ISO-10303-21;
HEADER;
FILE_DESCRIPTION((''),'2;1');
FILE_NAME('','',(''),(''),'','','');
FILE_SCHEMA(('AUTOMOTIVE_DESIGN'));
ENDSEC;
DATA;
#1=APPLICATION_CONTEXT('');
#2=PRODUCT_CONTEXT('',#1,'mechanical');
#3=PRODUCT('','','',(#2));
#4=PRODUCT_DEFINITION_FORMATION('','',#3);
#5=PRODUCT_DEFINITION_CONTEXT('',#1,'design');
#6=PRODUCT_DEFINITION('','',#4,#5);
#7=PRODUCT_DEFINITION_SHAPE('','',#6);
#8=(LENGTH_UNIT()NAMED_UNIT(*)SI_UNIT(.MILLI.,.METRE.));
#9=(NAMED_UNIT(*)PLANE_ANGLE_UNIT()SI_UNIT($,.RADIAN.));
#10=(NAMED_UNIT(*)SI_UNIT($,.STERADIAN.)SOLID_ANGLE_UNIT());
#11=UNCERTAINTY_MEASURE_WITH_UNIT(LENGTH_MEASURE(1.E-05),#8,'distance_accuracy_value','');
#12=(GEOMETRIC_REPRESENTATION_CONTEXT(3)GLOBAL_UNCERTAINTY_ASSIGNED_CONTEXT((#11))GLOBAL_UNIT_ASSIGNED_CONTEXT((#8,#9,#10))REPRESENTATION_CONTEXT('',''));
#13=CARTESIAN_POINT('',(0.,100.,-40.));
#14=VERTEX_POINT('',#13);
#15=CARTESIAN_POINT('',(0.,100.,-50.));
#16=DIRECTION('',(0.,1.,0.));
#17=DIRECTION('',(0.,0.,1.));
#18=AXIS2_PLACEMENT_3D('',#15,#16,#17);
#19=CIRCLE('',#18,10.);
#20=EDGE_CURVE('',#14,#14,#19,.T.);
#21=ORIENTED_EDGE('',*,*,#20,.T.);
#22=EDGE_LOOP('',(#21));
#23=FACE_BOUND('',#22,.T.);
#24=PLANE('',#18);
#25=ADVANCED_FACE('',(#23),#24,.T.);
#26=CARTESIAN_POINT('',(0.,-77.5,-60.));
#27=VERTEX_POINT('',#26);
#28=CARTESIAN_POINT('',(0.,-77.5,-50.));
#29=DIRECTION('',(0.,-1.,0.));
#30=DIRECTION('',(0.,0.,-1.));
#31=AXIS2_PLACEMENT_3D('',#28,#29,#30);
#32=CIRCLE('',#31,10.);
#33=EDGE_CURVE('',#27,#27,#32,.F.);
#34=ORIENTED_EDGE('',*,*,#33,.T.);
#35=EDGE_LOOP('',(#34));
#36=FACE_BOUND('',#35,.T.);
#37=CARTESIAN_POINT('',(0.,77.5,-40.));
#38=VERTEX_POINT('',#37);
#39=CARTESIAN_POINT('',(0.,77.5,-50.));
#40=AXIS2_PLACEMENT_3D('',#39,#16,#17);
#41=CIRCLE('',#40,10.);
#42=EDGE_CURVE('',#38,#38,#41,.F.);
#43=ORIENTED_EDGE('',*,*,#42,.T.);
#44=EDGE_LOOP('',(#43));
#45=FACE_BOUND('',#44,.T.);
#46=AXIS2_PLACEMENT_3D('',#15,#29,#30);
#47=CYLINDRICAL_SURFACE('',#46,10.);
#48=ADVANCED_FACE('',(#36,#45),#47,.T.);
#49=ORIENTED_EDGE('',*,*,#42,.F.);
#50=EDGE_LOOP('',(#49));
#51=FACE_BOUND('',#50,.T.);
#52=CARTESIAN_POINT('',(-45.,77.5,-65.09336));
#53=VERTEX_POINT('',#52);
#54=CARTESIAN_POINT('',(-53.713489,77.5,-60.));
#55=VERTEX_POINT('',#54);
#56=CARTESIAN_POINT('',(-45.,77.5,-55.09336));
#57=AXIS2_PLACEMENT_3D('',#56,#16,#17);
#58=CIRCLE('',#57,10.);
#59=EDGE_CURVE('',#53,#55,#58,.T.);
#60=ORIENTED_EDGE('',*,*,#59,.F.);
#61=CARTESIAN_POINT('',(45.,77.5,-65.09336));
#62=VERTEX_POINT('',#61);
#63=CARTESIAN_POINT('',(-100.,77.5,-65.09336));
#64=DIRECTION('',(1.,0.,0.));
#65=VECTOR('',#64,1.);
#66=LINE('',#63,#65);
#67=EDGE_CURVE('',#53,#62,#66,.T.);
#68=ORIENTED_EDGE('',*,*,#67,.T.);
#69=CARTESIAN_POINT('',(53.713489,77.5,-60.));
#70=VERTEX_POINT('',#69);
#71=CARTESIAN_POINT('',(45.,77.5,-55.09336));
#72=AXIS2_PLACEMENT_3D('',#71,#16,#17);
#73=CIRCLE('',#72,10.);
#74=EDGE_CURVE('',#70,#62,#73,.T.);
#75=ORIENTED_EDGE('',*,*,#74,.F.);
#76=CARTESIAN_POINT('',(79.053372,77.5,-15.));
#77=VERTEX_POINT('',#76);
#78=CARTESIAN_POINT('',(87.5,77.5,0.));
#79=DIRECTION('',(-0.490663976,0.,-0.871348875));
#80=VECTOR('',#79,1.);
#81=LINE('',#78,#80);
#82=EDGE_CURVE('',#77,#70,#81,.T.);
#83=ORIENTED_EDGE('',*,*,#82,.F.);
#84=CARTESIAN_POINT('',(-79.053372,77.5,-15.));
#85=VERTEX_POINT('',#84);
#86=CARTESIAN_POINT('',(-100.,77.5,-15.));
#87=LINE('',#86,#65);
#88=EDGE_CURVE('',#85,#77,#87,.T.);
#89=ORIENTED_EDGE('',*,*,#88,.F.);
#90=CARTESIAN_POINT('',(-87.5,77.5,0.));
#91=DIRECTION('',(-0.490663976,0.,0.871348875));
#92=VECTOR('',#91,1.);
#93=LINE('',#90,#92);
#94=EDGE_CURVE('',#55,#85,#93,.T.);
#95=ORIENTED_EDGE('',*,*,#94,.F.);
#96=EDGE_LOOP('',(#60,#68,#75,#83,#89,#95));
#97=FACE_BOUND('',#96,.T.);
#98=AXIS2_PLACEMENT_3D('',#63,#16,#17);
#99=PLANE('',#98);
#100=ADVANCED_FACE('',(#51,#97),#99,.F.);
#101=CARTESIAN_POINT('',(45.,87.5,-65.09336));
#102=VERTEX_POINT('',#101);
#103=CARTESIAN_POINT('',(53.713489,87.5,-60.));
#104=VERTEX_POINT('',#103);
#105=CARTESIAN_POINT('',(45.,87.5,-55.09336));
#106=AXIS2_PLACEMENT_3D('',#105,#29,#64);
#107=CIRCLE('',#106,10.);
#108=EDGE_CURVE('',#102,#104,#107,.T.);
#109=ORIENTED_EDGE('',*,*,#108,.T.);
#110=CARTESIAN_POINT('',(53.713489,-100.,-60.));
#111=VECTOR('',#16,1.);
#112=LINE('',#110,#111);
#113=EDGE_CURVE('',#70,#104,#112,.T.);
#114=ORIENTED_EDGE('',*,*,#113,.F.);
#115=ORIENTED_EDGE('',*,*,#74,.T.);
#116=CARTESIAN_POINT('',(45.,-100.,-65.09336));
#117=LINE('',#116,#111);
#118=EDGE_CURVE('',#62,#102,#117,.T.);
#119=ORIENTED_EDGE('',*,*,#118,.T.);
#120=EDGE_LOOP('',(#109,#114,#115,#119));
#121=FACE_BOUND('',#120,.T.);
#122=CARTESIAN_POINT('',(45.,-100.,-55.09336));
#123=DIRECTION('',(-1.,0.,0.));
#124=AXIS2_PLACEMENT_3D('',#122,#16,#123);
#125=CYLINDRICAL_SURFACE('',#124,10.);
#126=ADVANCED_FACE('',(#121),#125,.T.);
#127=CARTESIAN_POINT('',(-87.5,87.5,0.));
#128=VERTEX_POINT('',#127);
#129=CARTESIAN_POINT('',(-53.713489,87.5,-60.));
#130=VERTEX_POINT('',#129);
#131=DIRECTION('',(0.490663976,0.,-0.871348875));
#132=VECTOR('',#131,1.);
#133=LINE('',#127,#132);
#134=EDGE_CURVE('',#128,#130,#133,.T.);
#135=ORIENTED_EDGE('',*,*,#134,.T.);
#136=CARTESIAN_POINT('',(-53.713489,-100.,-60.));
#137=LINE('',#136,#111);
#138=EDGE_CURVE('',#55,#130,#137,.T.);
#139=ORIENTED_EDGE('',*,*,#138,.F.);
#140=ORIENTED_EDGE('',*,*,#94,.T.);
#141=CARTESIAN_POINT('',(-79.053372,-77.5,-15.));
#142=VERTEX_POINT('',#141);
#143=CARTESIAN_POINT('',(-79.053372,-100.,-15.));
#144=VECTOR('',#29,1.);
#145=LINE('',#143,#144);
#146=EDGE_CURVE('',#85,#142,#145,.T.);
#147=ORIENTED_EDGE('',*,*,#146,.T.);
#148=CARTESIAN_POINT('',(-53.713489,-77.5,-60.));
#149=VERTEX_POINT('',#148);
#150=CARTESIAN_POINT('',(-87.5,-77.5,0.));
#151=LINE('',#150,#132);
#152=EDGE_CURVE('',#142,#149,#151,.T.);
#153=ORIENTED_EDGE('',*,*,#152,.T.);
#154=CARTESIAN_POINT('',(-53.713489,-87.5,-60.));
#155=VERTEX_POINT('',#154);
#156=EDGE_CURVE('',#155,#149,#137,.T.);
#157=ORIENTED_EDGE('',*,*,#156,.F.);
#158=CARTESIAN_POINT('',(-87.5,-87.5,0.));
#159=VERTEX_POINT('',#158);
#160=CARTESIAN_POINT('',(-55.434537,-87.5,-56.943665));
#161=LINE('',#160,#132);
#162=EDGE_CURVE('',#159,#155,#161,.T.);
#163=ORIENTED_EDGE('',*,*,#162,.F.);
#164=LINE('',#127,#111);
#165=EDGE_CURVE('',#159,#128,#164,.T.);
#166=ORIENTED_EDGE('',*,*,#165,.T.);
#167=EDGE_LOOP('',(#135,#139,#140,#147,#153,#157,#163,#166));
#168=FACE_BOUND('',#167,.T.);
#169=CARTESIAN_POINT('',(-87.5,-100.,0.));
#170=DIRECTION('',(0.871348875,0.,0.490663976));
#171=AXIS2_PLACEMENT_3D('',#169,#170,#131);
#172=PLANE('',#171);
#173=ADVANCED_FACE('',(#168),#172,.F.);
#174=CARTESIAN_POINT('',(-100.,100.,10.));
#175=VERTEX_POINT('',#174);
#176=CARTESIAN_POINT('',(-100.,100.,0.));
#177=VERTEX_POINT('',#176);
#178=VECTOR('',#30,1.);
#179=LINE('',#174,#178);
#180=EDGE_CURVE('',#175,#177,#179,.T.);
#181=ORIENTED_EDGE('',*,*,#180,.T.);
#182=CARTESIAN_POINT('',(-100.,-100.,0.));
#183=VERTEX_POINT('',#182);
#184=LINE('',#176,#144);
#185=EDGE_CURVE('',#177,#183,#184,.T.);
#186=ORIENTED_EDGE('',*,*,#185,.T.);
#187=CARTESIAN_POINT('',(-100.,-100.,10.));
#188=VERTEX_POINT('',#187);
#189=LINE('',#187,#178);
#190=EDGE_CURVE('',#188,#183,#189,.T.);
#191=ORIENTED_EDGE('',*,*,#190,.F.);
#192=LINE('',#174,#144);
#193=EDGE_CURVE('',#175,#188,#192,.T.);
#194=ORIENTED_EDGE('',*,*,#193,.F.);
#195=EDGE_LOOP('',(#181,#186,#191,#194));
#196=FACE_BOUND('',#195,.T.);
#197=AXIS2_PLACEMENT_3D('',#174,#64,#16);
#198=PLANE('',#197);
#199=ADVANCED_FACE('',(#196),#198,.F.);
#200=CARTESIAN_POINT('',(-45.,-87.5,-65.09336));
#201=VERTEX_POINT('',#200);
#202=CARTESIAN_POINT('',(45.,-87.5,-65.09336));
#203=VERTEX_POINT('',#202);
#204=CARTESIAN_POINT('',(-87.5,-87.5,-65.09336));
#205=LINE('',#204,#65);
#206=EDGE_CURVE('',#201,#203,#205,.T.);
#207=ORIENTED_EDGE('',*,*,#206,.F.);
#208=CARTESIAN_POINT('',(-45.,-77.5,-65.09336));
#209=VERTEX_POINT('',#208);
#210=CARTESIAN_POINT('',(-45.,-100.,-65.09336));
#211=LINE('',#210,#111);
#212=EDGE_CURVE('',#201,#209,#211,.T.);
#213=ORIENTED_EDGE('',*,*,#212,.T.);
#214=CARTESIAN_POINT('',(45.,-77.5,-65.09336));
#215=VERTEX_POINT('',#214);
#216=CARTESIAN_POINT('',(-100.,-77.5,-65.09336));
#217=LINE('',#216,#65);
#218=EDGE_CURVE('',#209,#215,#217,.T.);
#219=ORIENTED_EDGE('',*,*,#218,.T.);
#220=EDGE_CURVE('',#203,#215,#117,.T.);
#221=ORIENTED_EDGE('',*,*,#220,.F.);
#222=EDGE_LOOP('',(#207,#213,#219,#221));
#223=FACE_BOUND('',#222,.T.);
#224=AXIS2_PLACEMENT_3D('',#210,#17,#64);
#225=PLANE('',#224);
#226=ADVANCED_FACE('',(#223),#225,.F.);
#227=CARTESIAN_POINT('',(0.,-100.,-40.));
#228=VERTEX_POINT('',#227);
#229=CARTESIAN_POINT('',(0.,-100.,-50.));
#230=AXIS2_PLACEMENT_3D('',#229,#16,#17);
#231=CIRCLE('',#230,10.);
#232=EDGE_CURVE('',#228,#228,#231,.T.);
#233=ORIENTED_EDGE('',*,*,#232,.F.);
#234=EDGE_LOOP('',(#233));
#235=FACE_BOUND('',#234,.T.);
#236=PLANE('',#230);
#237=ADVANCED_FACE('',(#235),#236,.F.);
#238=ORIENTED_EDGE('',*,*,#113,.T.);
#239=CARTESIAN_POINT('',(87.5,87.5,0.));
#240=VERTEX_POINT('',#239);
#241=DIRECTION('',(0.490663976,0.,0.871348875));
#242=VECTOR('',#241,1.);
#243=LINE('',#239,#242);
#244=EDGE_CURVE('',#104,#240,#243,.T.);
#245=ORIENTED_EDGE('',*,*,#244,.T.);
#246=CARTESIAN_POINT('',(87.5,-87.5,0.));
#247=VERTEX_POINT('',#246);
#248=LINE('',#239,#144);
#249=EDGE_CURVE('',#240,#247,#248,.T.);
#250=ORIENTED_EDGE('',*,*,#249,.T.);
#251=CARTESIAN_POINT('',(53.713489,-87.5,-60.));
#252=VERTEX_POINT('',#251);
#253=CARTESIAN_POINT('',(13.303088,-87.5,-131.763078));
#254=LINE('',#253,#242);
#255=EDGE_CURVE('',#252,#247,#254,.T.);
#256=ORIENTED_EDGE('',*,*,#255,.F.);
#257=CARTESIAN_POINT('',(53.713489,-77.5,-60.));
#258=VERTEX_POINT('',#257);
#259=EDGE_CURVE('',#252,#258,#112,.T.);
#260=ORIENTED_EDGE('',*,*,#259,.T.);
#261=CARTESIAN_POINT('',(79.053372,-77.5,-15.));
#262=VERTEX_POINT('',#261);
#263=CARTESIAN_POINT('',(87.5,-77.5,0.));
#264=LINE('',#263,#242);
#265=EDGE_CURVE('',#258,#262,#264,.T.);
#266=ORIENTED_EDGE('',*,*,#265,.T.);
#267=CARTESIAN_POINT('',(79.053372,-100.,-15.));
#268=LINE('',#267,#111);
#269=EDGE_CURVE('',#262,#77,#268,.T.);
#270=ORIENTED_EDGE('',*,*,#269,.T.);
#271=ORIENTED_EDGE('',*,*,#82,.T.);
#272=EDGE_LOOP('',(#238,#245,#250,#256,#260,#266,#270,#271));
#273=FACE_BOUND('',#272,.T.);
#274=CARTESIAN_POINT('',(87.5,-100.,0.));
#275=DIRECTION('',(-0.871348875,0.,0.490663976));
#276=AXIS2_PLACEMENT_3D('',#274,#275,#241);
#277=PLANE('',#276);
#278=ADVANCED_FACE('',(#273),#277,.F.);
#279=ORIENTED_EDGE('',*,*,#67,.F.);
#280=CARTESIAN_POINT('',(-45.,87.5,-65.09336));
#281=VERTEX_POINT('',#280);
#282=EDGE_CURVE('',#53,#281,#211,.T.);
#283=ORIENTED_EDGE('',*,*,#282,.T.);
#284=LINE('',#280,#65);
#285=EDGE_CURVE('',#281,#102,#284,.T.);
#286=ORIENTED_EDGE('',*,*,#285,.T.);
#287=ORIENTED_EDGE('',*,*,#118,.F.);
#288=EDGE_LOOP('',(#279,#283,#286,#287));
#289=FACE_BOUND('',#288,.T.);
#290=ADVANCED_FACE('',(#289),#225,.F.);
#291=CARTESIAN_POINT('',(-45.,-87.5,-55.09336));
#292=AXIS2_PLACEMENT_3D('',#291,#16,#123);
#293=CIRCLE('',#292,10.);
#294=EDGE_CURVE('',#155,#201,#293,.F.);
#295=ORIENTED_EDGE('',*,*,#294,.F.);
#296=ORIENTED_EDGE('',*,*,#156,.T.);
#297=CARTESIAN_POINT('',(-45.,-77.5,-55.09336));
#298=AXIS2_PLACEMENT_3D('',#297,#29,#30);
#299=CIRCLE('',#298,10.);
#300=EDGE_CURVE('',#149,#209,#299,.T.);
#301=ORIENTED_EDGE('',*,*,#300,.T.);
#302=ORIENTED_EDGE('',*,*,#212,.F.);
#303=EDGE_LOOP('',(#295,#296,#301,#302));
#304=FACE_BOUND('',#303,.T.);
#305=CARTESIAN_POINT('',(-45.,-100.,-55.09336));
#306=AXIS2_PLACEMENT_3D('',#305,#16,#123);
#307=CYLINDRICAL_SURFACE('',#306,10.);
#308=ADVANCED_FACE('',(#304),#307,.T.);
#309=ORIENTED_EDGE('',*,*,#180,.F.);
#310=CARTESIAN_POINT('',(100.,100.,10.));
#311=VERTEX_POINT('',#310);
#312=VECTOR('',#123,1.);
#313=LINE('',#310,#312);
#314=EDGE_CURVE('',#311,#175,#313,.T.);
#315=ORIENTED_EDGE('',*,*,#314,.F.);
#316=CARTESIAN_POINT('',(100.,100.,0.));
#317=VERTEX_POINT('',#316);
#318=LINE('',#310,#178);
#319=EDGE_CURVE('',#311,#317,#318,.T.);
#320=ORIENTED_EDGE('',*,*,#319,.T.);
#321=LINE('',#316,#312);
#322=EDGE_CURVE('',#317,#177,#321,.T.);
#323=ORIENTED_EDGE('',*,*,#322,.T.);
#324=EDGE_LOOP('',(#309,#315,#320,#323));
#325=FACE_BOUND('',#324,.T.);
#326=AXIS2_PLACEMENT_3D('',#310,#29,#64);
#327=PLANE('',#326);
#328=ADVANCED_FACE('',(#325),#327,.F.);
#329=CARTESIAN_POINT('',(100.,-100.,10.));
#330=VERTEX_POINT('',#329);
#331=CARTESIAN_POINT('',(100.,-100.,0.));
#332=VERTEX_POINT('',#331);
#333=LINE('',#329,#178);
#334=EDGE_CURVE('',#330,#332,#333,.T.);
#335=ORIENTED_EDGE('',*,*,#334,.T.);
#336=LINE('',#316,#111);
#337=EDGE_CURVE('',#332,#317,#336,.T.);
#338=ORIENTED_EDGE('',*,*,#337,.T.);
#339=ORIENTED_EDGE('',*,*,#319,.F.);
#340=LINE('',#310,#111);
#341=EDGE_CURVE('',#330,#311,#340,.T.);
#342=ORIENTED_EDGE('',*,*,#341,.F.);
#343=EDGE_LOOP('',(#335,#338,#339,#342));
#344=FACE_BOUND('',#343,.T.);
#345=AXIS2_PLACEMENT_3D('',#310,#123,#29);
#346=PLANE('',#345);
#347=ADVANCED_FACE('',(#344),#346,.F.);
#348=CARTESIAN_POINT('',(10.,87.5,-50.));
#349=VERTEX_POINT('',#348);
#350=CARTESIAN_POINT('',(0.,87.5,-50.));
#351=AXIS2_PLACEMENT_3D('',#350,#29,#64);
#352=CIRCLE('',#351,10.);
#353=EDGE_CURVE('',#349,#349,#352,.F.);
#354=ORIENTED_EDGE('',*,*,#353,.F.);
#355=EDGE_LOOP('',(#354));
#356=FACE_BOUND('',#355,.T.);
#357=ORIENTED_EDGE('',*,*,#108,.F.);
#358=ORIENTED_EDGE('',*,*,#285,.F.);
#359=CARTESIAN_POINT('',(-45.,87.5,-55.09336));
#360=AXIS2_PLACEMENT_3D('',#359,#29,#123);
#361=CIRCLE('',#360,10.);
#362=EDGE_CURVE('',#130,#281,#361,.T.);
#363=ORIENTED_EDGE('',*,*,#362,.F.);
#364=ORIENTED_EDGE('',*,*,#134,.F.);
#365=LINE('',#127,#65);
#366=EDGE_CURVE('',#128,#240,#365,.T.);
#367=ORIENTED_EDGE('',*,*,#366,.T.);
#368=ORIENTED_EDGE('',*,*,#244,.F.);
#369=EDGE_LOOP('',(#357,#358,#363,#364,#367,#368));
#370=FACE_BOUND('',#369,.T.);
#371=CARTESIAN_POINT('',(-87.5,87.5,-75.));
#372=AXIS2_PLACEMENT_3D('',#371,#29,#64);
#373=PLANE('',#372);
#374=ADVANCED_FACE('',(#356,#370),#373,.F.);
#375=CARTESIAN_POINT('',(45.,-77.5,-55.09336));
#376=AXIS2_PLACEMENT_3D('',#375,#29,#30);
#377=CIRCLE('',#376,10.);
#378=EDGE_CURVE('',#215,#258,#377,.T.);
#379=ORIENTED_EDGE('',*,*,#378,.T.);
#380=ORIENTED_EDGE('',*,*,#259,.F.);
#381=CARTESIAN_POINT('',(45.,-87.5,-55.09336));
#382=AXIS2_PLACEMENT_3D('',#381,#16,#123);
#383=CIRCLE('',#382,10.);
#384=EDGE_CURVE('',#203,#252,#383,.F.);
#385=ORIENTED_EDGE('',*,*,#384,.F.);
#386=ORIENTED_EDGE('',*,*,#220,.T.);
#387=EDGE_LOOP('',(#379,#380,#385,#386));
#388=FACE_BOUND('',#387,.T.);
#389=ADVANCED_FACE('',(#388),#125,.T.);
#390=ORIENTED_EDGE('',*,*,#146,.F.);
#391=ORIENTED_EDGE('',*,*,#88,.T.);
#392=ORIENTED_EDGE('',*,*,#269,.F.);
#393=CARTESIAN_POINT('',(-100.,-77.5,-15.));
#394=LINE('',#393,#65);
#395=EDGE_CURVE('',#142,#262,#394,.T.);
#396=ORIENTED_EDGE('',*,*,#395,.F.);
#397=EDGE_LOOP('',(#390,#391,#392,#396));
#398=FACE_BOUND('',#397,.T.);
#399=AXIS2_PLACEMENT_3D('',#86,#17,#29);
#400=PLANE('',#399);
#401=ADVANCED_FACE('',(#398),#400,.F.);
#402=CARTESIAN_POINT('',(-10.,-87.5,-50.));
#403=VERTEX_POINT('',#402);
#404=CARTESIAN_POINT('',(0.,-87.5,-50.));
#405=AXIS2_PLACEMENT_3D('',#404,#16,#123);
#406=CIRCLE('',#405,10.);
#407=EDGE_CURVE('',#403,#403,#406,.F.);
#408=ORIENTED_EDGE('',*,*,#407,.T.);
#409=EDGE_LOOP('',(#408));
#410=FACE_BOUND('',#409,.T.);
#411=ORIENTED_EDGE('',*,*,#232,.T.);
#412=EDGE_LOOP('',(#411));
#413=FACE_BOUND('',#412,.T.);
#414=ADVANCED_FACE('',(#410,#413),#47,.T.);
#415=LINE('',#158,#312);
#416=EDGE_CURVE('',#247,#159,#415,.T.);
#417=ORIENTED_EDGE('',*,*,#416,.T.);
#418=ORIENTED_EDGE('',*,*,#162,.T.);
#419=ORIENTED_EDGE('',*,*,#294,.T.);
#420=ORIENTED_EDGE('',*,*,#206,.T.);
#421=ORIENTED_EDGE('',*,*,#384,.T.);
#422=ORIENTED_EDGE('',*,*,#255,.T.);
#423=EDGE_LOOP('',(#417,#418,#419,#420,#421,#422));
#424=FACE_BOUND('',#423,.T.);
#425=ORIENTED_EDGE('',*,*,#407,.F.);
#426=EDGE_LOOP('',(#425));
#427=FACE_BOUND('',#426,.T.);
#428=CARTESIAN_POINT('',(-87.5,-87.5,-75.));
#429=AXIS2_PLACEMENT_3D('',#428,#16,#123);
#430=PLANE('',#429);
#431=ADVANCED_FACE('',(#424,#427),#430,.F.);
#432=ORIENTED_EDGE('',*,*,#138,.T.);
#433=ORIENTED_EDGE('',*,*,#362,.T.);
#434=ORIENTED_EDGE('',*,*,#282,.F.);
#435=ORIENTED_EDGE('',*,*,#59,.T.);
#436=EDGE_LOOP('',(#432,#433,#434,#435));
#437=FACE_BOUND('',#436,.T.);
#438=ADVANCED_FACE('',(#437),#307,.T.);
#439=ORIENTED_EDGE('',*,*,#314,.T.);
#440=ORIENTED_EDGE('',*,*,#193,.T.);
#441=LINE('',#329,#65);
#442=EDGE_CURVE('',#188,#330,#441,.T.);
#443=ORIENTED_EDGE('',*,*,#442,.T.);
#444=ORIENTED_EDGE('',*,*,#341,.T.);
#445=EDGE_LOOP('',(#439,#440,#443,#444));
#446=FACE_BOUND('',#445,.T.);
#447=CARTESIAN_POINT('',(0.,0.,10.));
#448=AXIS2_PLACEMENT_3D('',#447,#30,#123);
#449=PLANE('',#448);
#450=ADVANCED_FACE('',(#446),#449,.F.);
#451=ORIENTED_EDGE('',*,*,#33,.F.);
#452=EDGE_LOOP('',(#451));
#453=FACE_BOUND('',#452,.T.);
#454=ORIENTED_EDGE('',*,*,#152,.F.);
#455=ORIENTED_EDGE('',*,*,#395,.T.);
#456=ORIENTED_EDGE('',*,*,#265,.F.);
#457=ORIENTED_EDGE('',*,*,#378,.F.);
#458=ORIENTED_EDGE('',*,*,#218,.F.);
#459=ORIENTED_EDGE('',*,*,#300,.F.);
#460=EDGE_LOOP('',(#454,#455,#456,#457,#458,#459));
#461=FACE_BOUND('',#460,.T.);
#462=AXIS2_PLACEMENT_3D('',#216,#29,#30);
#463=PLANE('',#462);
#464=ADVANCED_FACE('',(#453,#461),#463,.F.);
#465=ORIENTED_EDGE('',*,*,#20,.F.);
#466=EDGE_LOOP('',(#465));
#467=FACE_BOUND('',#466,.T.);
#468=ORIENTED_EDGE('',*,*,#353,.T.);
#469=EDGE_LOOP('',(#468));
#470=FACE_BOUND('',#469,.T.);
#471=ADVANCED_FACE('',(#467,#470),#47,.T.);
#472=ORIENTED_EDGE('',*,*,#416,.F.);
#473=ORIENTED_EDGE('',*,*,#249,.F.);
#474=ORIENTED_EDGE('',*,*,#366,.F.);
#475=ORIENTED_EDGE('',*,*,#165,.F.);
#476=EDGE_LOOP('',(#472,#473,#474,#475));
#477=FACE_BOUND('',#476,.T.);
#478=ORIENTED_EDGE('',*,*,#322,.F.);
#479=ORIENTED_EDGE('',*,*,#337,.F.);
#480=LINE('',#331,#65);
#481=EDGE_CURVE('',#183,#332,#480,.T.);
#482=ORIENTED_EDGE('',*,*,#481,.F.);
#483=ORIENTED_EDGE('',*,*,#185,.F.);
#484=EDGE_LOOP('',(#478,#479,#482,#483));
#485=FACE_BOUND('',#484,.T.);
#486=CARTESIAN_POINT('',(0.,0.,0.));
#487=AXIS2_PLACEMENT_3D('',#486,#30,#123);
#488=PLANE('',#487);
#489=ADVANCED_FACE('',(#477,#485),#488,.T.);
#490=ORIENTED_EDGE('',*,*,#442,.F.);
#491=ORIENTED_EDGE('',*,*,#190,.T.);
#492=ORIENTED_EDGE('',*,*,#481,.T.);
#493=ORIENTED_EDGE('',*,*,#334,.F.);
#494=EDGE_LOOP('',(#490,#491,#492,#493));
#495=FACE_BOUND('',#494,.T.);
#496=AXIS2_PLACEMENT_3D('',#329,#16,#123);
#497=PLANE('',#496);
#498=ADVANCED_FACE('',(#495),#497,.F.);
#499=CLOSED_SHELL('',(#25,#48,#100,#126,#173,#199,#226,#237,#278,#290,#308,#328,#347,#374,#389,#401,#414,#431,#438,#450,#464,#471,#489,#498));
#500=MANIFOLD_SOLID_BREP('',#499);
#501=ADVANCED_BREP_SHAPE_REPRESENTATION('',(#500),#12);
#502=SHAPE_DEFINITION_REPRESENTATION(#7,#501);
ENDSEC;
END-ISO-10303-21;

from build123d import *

# Parameters (mm, degrees)
SKETCH1_W           = 200
SKETCH1_H           = 200
BOSS_EXTRUDE1_DEPTH = 10
SKETCH2_W           = 175
SKETCH2_H           = 175
BOSS_EXTRUDE2_DEPTH = 75
CUT_EXTRUDE2_DEPTH  = 188.5
SKETCH6_W           = 50.093360238
SKETCH6_H           = 155
CUT_EXTRUDE3_DEPTH  = 100
SKETCH7_R           = 10
BOSS_EXTRUDE4_DEPTH = 100


with BuildPart() as part:
    # Sketch1 → Boss-Extrude1 (new body)
    with BuildSketch(Plane.XY):
        Rectangle(SKETCH1_W, SKETCH1_H)
    extrude(amount=BOSS_EXTRUDE1_DEPTH)

    # Sketch2 → Boss-Extrude2 (add)
    with BuildSketch(Plane(origin=(0, 0, 0), x_dir=(-1, 0, 0), z_dir=(0, 0, -1))):
        Rectangle(SKETCH2_W, SKETCH2_H)
    extrude(amount=BOSS_EXTRUDE2_DEPTH)

    # Sketch5 → Cut-Extrude2 (cut, through all)
    with BuildSketch(Plane(origin=(0, 87.5, 0), x_dir=(1, 0, 0), z_dir=(0, 1, 0))):
        with BuildLine():
            Line((-87.5, 0), (-53.713488753, 60))
            ThreePointArc((-53.713488753, 60), (-50.046464226, 63.72662143), (-45, 65.093360238))
            Line((-45, 65.093360238), (45, 65.093360238))
            ThreePointArc((45, 65.093360238), (50.046464226, 63.72662143), (53.713488753, 60))
            Line((53.713488753, 60), (87.5, 0))
            Line((87.5, 0), (87.5, 75))
            Line((87.5, 75), (-87.5, 75))
            Line((-87.5, 75), (-87.5, 0))
        make_face()
    extrude(amount=-CUT_EXTRUDE2_DEPTH, mode=Mode.SUBTRACT)

    # Sketch6 → Cut-Extrude3 (cut, symmetric)
    with BuildSketch(Plane(origin=(0, 0, 0), x_dir=(0, 0, -1), z_dir=(1, 0, 0))):
        with Locations((40.046680119, 0)):
            Rectangle(SKETCH6_W, SKETCH6_H)
    extrude(amount=CUT_EXTRUDE3_DEPTH, both=True, mode=Mode.SUBTRACT)

    # Sketch7 → Boss-Extrude4 (add, symmetric)
    with BuildSketch(Plane(origin=(0, 0, 0), x_dir=(1, 0, 0), z_dir=(0, 1, 0))):
        with Locations((0, 50)):
            Circle(SKETCH7_R)
    extrude(amount=BOSS_EXTRUDE4_DEPTH, both=True)


solid = part.part
